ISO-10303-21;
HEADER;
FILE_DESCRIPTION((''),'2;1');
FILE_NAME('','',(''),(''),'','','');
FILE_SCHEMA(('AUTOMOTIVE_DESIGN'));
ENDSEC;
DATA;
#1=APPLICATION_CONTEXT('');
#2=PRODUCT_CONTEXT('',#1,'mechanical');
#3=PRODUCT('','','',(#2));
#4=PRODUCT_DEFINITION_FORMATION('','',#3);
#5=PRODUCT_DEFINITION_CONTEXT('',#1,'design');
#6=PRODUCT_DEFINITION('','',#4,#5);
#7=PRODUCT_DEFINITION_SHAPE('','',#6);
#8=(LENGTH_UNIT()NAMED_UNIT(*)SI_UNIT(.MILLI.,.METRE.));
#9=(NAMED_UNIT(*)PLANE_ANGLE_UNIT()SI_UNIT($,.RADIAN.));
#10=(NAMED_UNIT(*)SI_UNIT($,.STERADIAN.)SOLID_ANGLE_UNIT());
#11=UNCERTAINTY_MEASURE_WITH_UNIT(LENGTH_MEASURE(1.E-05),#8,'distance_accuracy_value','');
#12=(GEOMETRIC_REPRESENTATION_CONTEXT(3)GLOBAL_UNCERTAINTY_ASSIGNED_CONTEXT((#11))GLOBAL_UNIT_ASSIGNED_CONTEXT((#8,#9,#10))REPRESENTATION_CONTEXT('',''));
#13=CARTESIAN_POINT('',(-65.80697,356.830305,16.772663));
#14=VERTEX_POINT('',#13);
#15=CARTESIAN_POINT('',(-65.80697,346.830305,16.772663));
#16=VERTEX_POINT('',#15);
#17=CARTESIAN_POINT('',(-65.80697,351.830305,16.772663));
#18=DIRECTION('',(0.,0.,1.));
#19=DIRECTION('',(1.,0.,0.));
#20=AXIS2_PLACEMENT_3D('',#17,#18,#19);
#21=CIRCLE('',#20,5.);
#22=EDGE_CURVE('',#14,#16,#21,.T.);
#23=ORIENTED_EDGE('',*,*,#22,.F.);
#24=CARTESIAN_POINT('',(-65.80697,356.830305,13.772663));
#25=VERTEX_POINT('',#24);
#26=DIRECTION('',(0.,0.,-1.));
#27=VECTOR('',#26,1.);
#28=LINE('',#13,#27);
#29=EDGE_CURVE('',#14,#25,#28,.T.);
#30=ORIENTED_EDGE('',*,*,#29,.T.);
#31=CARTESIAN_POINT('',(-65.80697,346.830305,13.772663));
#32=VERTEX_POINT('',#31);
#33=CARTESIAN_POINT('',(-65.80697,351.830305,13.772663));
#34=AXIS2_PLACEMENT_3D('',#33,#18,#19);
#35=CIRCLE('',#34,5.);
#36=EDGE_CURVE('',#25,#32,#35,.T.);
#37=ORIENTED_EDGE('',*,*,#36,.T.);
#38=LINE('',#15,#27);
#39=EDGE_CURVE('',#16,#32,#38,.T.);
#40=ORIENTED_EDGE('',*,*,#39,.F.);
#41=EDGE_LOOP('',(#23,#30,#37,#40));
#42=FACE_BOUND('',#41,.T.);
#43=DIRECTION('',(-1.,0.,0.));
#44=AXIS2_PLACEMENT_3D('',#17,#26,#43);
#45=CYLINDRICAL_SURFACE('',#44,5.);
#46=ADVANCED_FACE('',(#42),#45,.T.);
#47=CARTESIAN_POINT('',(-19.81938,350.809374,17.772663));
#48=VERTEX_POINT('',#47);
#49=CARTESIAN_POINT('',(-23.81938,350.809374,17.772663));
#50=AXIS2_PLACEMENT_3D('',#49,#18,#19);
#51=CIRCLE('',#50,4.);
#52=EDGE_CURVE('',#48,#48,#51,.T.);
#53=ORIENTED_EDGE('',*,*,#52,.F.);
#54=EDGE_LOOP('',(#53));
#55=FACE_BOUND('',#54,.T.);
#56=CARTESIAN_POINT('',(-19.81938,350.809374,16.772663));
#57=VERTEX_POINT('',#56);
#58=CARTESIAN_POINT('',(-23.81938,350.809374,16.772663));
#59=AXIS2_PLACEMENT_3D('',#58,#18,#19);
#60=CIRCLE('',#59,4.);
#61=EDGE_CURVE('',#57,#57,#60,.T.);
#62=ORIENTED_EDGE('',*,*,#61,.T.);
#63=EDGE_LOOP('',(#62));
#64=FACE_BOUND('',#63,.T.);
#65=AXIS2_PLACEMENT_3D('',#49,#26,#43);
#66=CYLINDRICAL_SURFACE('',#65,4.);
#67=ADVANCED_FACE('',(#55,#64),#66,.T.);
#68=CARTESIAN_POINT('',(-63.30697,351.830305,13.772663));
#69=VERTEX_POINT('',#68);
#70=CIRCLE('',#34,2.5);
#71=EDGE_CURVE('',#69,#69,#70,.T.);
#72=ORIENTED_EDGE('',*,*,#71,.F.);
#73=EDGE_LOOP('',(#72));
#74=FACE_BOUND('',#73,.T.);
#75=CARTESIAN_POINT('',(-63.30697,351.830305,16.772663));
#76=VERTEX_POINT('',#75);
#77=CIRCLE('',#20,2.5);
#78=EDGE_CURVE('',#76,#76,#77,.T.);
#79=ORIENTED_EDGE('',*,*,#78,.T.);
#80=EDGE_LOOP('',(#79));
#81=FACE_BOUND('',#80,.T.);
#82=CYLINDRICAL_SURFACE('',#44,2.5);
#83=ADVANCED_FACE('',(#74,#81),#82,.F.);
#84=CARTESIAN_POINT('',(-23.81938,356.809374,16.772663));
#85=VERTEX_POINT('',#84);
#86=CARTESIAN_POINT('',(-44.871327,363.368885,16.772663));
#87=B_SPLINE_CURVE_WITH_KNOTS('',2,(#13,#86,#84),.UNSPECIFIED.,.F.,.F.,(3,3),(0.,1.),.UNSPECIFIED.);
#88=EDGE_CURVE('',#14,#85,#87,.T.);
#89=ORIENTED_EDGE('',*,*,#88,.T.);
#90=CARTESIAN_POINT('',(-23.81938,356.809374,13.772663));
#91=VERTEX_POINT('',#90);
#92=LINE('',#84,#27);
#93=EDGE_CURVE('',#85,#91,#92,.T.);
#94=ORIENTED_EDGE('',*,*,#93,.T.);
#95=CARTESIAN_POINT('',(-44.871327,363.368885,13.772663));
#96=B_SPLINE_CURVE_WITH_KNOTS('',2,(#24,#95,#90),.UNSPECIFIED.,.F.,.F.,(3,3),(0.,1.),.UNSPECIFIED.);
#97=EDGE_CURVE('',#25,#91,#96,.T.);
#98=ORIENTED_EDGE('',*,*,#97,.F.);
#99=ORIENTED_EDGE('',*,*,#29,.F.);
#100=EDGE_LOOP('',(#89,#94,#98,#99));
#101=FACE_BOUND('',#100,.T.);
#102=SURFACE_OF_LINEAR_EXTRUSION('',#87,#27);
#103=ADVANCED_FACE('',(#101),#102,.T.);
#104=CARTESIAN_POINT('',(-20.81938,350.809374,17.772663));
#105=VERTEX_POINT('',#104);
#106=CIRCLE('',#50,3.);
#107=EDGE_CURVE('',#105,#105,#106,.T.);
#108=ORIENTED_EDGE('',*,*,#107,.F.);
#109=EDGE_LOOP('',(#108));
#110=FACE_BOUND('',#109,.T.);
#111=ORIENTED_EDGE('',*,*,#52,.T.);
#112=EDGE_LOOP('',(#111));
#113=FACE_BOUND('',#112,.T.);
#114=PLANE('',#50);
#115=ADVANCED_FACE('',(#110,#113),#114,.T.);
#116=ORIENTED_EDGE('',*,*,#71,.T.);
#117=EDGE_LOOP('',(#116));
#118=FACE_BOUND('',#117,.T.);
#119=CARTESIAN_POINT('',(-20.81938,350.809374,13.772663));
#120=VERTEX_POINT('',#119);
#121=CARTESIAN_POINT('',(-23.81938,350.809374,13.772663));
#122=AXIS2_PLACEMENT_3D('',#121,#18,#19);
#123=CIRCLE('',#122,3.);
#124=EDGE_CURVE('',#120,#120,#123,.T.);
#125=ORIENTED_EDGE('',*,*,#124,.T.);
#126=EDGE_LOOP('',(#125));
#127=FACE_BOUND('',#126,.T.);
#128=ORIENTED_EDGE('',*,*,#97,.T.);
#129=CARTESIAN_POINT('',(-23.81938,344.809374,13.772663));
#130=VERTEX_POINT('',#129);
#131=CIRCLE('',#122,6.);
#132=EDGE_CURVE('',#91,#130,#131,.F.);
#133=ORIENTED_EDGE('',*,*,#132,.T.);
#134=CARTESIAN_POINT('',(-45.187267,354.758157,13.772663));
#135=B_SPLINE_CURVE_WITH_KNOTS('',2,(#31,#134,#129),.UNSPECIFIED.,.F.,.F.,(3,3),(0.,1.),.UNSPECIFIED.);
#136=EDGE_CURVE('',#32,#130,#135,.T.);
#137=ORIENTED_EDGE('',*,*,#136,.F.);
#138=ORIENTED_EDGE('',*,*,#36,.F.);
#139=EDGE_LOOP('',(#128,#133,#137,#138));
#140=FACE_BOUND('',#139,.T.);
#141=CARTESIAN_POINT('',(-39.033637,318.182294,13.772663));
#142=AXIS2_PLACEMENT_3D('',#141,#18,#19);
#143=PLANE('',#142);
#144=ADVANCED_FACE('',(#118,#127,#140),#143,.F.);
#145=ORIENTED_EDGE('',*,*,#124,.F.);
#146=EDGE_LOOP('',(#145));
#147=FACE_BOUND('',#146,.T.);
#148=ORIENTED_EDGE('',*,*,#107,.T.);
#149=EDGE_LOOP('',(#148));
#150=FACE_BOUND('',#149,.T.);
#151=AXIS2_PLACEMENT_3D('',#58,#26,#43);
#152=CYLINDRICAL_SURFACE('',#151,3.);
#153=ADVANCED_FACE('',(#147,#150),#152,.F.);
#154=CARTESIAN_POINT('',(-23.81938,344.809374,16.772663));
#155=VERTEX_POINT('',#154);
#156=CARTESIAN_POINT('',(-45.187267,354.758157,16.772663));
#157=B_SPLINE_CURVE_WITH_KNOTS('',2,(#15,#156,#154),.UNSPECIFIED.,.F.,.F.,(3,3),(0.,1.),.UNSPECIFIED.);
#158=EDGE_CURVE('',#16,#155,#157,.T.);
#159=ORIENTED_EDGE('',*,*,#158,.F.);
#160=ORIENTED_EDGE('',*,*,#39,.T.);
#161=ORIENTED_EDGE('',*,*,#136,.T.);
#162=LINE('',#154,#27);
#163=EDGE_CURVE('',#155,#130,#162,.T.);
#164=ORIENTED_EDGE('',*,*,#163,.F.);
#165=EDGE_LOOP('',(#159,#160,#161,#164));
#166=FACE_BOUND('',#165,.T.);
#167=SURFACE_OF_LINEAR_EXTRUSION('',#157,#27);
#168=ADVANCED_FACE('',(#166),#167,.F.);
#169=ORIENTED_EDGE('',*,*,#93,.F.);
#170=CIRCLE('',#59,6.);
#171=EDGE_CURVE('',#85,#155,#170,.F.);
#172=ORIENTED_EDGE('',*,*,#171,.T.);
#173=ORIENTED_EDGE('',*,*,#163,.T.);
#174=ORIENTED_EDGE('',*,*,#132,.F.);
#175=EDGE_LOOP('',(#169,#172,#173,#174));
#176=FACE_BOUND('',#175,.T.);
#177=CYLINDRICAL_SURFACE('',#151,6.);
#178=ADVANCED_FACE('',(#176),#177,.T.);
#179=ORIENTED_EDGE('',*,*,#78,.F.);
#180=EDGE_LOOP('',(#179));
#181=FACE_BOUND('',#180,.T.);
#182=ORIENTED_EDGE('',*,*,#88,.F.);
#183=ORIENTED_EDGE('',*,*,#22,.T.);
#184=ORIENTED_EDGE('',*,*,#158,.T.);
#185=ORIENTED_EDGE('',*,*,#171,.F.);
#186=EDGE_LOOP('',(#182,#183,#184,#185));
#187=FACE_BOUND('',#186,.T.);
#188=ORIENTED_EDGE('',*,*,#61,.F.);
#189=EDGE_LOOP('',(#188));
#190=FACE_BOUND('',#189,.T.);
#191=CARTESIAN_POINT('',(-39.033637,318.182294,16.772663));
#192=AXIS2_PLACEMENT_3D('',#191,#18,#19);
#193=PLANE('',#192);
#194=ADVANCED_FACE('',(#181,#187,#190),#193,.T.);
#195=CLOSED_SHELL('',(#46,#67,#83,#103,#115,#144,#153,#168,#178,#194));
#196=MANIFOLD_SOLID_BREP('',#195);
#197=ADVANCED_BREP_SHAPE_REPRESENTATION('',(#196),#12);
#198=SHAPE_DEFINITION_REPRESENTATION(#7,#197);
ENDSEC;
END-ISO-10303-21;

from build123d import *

# Parameters (mm, degrees)
BOSS_EXTRUDE1_DEPTH = 30
SKETCH2_R           = 25
SKETCH2_R_2         = 30
CUT_EXTRUDE1_DEPTH  = 527.798524366
SKETCH4_R           = 40
SKETCH4_R_2         = 30
BOSS_EXTRUDE3_DEPTH = 10
SCALE1_SCALE        = 0.1


with BuildPart() as part:
    # Sketch1 → Boss-Extrude1 (new body)
    with BuildSketch(Plane.XY):
        with BuildLine():
            ThreePointArc((-267.733324074, 386.480114093), (-317.733324074, 336.480114093), (-267.733324074, 286.480114093))
            add(Edge.make_bspline(
                [(-267.733324074, 286.480114093), (-61.536299878, 365.758634067), (152.142574227, 266.270803333)],
                knots=[0, 0, 0, 1, 1, 1], degree=2))
            ThreePointArc((152.142574227, 266.270803333), (212.142574227, 326.270803333), (152.142574227, 386.270803333))
            add(Edge.make_bspline(
                [(-267.733324074, 386.480114093), (-58.376892778, 451.86591416), (152.142574227, 386.270803333)],
                knots=[0, 0, 0, 1, 1, 1], degree=2))
        make_face()
    extrude(amount=BOSS_EXTRUDE1_DEPTH)

    # Sketch2 → Cut-Extrude1 (cut, through all)
    with BuildSketch(Plane.XY):
        with Locations((-267.733324074, 336.480114093)):
            Circle(SKETCH2_R)
        with Locations((152.142574227, 326.270803333)):
            Circle(SKETCH2_R_2)
    extrude(amount=CUT_EXTRUDE1_DEPTH, mode=Mode.SUBTRACT)

    # Sketch4 → Boss-Extrude3 (add)
    with BuildSketch(Plane.XY.offset(30)):
        with Locations((152.142574227, 326.270803333)):
            Circle(SKETCH4_R)
        with Locations((152.142574227, 326.270803333)):
            Circle(SKETCH4_R_2, mode=Mode.SUBTRACT)
    extrude(amount=BOSS_EXTRUDE3_DEPTH)


with BuildPart() as part_1:
    # Scale1: scaled about (-43.370651933, 353.535569424, 15.302961692)
    add(part.part.scale(SCALE1_SCALE).moved(Location((-39.03358674, 318.182012482, 13.772665523))))


solid = part_1.part
